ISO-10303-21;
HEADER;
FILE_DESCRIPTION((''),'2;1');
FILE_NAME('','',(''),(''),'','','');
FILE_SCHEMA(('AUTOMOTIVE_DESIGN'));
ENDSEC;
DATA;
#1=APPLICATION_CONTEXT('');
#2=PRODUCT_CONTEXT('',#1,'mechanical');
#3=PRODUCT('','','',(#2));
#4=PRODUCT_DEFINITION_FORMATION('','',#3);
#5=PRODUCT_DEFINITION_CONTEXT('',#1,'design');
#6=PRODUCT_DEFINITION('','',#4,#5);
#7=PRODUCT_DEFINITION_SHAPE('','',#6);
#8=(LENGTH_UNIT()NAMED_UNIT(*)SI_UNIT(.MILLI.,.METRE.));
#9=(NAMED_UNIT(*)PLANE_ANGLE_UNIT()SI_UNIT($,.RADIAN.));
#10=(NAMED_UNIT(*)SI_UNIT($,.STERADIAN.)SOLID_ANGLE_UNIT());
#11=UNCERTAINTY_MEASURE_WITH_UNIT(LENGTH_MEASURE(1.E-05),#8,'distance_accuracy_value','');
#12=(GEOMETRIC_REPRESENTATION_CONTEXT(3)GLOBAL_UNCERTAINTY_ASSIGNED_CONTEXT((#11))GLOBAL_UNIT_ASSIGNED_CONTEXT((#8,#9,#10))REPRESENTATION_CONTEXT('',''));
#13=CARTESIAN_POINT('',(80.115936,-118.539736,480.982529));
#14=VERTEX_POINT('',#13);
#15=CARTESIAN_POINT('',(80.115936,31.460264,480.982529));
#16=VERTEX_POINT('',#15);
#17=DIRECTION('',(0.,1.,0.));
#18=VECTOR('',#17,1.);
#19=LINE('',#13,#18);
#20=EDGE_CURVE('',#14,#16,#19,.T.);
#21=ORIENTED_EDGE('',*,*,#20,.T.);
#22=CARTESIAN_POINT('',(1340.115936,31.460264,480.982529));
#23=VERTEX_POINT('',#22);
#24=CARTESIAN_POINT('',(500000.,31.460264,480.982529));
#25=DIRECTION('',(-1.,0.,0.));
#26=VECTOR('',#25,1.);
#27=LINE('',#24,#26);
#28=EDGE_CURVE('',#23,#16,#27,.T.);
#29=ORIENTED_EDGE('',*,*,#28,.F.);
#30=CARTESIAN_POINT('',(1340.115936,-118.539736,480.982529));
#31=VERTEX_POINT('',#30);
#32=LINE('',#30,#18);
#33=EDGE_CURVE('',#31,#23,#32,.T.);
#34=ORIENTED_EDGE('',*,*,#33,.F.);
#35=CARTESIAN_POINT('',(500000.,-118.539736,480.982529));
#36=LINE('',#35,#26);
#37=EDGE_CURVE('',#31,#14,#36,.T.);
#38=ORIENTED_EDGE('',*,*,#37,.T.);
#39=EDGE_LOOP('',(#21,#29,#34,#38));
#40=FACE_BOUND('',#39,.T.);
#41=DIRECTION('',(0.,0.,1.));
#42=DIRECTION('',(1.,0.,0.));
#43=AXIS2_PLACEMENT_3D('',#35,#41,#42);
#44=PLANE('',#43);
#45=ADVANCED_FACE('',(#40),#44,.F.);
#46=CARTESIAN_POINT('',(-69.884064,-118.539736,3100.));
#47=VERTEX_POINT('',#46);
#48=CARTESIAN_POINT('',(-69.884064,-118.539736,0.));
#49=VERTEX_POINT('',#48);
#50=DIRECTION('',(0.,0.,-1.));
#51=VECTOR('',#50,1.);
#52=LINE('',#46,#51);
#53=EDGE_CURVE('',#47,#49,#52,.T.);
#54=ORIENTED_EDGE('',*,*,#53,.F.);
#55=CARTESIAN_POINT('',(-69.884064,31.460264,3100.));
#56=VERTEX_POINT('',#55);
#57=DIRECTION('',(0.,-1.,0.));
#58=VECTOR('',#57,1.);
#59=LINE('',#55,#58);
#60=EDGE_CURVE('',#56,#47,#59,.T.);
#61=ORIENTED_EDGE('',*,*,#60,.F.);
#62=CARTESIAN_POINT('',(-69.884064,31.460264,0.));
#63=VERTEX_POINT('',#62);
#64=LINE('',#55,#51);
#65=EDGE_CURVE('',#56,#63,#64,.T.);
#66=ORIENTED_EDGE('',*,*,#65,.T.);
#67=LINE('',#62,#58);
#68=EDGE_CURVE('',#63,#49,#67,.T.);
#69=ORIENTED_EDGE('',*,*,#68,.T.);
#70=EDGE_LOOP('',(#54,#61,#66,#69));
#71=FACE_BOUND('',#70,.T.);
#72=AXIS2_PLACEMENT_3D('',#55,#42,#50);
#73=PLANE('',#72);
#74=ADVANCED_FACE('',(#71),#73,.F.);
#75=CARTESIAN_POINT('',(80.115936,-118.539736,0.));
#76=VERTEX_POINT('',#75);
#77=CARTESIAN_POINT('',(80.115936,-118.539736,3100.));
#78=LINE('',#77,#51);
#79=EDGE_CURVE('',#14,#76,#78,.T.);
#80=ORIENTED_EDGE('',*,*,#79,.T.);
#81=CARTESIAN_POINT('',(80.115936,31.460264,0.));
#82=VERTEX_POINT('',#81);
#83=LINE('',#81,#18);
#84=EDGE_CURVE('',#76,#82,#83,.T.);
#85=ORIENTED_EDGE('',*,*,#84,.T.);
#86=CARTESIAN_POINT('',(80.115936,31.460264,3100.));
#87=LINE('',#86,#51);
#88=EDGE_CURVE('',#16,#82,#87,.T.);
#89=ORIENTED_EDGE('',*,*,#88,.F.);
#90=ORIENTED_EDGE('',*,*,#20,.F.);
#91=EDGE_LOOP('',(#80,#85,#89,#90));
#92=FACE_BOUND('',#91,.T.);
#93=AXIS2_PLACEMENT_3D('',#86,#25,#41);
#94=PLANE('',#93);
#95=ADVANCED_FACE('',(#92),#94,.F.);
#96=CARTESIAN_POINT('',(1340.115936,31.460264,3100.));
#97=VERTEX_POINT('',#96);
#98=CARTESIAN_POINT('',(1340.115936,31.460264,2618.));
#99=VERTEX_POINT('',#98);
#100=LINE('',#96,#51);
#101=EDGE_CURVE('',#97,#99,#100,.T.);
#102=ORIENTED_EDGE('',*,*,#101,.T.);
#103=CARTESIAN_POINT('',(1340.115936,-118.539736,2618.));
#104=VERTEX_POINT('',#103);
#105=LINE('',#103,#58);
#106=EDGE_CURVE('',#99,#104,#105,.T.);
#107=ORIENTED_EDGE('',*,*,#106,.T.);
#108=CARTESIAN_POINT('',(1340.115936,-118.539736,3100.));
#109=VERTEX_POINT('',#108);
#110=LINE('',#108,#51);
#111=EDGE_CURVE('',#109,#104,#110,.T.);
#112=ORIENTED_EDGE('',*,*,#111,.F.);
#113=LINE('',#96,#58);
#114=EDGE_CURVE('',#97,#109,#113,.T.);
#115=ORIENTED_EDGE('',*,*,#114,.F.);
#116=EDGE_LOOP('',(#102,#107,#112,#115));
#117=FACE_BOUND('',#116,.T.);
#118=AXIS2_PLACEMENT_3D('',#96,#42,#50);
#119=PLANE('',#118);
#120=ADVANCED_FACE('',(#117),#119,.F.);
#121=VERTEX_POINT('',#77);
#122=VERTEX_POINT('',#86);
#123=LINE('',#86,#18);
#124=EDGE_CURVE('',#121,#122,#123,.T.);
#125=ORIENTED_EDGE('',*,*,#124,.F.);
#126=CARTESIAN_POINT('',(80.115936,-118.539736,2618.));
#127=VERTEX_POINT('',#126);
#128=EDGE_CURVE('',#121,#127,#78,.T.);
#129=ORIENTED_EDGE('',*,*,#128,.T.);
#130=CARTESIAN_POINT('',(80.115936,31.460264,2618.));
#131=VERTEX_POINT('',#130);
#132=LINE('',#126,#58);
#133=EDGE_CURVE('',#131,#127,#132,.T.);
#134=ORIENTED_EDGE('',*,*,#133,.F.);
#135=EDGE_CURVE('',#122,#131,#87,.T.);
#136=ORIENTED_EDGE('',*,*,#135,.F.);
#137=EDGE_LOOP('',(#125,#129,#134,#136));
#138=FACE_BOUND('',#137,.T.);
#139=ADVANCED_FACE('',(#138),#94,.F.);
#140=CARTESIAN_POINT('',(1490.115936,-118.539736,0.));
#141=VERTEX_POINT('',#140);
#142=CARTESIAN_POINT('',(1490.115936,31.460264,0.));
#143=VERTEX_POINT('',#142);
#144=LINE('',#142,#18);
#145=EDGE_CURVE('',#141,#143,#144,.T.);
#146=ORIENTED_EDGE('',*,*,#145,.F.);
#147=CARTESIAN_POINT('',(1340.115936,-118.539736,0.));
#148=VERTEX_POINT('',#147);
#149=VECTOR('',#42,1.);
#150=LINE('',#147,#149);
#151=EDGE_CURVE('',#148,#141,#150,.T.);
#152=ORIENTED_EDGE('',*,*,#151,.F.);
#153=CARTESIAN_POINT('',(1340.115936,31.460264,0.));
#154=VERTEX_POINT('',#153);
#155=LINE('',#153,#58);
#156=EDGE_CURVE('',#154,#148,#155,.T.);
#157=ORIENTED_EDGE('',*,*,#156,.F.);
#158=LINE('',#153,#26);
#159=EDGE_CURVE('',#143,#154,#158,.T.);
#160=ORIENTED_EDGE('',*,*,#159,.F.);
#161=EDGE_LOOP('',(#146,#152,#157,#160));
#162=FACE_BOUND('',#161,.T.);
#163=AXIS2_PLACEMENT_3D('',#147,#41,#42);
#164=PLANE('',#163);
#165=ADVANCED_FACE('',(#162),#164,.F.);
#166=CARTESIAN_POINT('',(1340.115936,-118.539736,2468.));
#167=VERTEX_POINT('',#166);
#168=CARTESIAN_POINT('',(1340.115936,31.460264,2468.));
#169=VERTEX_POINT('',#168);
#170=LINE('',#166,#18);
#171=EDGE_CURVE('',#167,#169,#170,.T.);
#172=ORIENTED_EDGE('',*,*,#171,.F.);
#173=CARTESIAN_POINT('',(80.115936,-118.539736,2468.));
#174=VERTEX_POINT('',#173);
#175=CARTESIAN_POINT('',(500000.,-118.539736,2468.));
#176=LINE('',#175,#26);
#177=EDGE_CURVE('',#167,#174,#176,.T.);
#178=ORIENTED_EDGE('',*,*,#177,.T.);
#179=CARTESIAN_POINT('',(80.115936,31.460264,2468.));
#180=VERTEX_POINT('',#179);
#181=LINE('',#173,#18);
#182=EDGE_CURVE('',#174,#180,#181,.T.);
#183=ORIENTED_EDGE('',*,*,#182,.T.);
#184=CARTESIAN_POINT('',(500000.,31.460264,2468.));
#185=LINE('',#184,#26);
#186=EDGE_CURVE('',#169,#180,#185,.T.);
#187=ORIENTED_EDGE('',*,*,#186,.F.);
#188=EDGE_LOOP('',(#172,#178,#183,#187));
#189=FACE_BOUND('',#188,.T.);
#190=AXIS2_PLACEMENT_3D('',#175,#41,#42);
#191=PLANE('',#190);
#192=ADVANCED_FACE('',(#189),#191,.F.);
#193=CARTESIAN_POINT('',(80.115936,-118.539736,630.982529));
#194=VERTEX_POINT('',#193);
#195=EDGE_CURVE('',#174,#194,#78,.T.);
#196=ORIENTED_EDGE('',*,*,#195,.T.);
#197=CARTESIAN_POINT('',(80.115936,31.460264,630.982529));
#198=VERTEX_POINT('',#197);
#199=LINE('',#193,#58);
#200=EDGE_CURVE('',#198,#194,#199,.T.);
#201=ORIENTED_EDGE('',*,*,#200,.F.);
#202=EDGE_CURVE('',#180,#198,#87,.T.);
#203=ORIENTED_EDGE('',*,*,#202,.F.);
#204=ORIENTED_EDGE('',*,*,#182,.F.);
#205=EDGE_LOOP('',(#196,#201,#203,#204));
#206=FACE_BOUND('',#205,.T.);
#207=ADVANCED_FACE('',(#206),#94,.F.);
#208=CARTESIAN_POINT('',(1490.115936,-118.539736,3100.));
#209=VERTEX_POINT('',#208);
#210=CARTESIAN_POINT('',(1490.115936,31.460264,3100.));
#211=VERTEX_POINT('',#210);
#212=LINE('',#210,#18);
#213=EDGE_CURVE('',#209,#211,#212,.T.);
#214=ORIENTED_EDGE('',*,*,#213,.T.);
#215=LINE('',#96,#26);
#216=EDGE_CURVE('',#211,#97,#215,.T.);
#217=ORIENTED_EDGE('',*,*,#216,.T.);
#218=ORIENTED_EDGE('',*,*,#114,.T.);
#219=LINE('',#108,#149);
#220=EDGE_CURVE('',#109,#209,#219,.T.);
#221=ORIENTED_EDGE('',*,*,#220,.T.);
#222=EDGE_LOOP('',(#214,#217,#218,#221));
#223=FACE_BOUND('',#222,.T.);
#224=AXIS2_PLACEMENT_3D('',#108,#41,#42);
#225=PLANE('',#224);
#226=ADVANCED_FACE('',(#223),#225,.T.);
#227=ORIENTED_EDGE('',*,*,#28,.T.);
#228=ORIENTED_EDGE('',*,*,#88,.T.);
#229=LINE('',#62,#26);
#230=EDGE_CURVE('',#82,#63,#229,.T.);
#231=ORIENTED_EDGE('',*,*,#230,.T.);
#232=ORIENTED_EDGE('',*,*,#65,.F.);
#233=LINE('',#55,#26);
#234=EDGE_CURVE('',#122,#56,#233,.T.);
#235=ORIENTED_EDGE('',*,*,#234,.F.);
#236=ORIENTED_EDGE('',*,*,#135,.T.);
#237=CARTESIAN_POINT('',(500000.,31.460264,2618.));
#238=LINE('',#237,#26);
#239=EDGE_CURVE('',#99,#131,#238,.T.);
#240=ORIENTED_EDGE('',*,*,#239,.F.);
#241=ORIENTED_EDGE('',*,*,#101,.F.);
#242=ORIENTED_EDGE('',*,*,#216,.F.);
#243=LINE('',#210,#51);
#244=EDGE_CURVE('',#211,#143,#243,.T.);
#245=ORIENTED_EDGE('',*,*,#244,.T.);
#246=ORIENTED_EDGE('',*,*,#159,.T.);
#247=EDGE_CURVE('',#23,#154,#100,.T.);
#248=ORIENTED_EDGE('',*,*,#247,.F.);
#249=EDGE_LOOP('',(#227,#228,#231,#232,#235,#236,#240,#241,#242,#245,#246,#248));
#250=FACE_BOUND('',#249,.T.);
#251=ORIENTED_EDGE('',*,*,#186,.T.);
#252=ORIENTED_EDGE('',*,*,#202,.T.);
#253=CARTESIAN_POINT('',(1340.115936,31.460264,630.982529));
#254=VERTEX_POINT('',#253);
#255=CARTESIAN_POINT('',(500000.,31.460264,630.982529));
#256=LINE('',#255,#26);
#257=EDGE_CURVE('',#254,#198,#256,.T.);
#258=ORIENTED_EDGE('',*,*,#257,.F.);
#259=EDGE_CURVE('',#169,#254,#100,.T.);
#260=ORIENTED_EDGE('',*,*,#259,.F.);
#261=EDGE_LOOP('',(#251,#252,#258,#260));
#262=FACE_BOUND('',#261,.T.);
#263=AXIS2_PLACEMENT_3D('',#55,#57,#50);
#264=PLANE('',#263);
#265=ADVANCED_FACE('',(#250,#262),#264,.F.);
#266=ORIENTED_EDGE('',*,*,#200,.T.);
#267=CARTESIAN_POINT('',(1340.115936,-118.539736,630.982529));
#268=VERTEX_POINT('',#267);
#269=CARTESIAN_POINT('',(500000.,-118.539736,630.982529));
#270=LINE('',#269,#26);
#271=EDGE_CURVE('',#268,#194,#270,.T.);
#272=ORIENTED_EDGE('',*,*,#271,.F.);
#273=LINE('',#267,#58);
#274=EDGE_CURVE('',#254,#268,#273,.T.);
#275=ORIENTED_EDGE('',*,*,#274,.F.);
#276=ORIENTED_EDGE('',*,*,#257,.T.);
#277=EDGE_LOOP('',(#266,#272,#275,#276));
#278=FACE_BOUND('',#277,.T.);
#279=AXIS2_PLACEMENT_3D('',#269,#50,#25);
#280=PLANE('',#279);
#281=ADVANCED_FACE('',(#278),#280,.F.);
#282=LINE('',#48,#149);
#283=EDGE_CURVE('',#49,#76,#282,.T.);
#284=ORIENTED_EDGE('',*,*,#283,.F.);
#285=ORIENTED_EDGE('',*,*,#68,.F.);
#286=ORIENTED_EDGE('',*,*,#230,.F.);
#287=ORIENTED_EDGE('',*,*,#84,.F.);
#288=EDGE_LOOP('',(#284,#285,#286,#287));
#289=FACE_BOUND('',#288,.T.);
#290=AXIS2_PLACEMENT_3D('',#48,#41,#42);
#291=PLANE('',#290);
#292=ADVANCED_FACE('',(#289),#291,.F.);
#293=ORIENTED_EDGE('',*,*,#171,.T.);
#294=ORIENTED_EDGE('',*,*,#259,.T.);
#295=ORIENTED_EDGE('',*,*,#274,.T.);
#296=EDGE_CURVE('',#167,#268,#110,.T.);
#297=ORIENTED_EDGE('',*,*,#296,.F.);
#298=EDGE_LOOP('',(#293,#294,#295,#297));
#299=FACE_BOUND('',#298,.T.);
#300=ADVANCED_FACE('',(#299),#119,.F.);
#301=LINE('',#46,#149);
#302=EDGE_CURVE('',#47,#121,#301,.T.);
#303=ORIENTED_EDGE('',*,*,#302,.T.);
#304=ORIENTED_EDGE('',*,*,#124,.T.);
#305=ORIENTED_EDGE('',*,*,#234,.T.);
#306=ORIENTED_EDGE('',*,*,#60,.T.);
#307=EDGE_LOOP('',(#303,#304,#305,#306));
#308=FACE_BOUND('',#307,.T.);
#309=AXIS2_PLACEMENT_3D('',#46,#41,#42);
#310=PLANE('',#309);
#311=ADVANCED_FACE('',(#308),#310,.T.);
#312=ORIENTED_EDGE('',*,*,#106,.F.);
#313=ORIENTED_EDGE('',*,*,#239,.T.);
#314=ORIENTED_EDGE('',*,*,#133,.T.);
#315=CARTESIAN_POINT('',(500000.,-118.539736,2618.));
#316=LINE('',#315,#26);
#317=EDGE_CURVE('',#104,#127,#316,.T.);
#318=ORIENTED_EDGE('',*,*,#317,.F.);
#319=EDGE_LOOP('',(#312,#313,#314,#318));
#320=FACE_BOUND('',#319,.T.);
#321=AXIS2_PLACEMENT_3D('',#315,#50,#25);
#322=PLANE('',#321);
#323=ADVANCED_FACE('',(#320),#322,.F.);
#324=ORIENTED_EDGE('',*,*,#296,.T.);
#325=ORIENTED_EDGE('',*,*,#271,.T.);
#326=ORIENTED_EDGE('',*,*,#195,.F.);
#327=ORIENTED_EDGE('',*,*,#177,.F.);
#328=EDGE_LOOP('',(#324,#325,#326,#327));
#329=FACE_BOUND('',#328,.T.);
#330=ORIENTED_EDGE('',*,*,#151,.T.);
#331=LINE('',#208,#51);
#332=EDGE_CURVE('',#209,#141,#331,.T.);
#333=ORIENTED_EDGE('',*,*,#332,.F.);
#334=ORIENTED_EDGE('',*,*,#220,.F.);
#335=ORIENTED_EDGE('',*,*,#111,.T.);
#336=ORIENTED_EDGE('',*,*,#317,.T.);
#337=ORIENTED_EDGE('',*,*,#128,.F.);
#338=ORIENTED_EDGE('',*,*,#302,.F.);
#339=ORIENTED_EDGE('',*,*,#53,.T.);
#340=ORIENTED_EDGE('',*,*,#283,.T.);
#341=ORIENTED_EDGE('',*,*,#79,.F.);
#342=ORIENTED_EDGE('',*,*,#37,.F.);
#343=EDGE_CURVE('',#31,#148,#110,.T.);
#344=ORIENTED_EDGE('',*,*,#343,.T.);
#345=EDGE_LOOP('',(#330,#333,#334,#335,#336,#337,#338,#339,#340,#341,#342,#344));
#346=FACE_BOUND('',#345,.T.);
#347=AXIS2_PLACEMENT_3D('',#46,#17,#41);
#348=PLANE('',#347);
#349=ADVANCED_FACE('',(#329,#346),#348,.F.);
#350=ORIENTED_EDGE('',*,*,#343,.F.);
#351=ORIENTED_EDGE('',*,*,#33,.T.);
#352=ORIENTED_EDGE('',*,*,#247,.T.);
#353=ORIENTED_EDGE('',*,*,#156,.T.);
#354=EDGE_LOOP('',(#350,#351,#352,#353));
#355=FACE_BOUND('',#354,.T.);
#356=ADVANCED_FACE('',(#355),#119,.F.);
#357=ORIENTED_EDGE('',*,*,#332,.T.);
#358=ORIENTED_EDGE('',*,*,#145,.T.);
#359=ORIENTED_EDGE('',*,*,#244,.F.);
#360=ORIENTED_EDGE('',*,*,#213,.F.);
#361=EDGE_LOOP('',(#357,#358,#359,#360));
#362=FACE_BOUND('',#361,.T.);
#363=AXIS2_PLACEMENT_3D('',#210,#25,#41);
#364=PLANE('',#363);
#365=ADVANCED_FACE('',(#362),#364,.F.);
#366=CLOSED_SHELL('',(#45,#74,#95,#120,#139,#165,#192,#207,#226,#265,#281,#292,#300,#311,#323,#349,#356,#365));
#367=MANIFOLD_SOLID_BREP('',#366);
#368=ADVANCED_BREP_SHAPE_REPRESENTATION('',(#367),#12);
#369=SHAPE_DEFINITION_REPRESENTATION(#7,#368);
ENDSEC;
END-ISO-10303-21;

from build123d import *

# Parameters (mm, degrees)
SKETCH1_W             = 150
SKETCH1_H             = 150
BOSS_EXTRUDE1_DEPTH   = 3100
BOSS_EXTRUDE1_2_DEPTH = 3100
BOSS_EXTRUDE2_REACH   = 3409.661
SKETCH2_W             = 150
SKETCH2_H             = 150


with BuildPart() as part:
    # Sketch1 → Boss-Extrude1 (new body)
    with BuildSketch(Plane.XY):
        with Locations((1415.115935895, -43.539736266)):
            Rectangle(SKETCH1_W, SKETCH1_H)
    extrude(amount=BOSS_EXTRUDE1_DEPTH)

    # Sketch2 → Boss-Extrude2 (add, up to next)
    with BuildSketch(Plane(origin=(80.115935895, 0, 0), x_dir=(0, 0, -1), z_dir=(1, 0, 0)), mode=Mode.PRIVATE) as boss_extrude2_sk1:
        with Locations((-2543, -43.539736266)):
            Rectangle(SKETCH2_W, SKETCH2_H)
    boss_extrude2_tool1 = extrude(boss_extrude2_sk1.sketch, amount=BOSS_EXTRUDE2_REACH, mode=Mode.PRIVATE) - part.part
    # Sketch2 → Boss-Extrude2 (add, up to next)
    with BuildSketch(Plane(origin=(80.115935895, 0, 0), x_dir=(0, 0, -1), z_dir=(1, 0, 0)), mode=Mode.PRIVATE) as boss_extrude2_sk2:
        with Locations((-555.982528713, -43.539736266)):
            Rectangle(SKETCH2_W, SKETCH2_H)
    boss_extrude2_tool2 = extrude(boss_extrude2_sk2.sketch, amount=BOSS_EXTRUDE2_REACH, mode=Mode.PRIVATE) - part.part


with BuildPart() as body_2:
    # Sketch1 → Boss-Extrude1 2 (new body)
    with BuildSketch(Plane.XY):
        with Locations((5.115935895, -43.539736266)):
            Rectangle(SKETCH1_W, SKETCH1_H)
    extrude(amount=BOSS_EXTRUDE1_2_DEPTH)


with BuildPart() as part_1:
    add(part.part)

    add(body_2.part)  # Boss-Extrude2 merges body 2
    add(boss_extrude2_tool1.solids().sort_by_distance((80.115936, -43.539736, 2543))[0])
    add(boss_extrude2_tool2.solids().sort_by_distance((80.115936, -43.539736, 555.982529))[0])


solid = part_1.part
